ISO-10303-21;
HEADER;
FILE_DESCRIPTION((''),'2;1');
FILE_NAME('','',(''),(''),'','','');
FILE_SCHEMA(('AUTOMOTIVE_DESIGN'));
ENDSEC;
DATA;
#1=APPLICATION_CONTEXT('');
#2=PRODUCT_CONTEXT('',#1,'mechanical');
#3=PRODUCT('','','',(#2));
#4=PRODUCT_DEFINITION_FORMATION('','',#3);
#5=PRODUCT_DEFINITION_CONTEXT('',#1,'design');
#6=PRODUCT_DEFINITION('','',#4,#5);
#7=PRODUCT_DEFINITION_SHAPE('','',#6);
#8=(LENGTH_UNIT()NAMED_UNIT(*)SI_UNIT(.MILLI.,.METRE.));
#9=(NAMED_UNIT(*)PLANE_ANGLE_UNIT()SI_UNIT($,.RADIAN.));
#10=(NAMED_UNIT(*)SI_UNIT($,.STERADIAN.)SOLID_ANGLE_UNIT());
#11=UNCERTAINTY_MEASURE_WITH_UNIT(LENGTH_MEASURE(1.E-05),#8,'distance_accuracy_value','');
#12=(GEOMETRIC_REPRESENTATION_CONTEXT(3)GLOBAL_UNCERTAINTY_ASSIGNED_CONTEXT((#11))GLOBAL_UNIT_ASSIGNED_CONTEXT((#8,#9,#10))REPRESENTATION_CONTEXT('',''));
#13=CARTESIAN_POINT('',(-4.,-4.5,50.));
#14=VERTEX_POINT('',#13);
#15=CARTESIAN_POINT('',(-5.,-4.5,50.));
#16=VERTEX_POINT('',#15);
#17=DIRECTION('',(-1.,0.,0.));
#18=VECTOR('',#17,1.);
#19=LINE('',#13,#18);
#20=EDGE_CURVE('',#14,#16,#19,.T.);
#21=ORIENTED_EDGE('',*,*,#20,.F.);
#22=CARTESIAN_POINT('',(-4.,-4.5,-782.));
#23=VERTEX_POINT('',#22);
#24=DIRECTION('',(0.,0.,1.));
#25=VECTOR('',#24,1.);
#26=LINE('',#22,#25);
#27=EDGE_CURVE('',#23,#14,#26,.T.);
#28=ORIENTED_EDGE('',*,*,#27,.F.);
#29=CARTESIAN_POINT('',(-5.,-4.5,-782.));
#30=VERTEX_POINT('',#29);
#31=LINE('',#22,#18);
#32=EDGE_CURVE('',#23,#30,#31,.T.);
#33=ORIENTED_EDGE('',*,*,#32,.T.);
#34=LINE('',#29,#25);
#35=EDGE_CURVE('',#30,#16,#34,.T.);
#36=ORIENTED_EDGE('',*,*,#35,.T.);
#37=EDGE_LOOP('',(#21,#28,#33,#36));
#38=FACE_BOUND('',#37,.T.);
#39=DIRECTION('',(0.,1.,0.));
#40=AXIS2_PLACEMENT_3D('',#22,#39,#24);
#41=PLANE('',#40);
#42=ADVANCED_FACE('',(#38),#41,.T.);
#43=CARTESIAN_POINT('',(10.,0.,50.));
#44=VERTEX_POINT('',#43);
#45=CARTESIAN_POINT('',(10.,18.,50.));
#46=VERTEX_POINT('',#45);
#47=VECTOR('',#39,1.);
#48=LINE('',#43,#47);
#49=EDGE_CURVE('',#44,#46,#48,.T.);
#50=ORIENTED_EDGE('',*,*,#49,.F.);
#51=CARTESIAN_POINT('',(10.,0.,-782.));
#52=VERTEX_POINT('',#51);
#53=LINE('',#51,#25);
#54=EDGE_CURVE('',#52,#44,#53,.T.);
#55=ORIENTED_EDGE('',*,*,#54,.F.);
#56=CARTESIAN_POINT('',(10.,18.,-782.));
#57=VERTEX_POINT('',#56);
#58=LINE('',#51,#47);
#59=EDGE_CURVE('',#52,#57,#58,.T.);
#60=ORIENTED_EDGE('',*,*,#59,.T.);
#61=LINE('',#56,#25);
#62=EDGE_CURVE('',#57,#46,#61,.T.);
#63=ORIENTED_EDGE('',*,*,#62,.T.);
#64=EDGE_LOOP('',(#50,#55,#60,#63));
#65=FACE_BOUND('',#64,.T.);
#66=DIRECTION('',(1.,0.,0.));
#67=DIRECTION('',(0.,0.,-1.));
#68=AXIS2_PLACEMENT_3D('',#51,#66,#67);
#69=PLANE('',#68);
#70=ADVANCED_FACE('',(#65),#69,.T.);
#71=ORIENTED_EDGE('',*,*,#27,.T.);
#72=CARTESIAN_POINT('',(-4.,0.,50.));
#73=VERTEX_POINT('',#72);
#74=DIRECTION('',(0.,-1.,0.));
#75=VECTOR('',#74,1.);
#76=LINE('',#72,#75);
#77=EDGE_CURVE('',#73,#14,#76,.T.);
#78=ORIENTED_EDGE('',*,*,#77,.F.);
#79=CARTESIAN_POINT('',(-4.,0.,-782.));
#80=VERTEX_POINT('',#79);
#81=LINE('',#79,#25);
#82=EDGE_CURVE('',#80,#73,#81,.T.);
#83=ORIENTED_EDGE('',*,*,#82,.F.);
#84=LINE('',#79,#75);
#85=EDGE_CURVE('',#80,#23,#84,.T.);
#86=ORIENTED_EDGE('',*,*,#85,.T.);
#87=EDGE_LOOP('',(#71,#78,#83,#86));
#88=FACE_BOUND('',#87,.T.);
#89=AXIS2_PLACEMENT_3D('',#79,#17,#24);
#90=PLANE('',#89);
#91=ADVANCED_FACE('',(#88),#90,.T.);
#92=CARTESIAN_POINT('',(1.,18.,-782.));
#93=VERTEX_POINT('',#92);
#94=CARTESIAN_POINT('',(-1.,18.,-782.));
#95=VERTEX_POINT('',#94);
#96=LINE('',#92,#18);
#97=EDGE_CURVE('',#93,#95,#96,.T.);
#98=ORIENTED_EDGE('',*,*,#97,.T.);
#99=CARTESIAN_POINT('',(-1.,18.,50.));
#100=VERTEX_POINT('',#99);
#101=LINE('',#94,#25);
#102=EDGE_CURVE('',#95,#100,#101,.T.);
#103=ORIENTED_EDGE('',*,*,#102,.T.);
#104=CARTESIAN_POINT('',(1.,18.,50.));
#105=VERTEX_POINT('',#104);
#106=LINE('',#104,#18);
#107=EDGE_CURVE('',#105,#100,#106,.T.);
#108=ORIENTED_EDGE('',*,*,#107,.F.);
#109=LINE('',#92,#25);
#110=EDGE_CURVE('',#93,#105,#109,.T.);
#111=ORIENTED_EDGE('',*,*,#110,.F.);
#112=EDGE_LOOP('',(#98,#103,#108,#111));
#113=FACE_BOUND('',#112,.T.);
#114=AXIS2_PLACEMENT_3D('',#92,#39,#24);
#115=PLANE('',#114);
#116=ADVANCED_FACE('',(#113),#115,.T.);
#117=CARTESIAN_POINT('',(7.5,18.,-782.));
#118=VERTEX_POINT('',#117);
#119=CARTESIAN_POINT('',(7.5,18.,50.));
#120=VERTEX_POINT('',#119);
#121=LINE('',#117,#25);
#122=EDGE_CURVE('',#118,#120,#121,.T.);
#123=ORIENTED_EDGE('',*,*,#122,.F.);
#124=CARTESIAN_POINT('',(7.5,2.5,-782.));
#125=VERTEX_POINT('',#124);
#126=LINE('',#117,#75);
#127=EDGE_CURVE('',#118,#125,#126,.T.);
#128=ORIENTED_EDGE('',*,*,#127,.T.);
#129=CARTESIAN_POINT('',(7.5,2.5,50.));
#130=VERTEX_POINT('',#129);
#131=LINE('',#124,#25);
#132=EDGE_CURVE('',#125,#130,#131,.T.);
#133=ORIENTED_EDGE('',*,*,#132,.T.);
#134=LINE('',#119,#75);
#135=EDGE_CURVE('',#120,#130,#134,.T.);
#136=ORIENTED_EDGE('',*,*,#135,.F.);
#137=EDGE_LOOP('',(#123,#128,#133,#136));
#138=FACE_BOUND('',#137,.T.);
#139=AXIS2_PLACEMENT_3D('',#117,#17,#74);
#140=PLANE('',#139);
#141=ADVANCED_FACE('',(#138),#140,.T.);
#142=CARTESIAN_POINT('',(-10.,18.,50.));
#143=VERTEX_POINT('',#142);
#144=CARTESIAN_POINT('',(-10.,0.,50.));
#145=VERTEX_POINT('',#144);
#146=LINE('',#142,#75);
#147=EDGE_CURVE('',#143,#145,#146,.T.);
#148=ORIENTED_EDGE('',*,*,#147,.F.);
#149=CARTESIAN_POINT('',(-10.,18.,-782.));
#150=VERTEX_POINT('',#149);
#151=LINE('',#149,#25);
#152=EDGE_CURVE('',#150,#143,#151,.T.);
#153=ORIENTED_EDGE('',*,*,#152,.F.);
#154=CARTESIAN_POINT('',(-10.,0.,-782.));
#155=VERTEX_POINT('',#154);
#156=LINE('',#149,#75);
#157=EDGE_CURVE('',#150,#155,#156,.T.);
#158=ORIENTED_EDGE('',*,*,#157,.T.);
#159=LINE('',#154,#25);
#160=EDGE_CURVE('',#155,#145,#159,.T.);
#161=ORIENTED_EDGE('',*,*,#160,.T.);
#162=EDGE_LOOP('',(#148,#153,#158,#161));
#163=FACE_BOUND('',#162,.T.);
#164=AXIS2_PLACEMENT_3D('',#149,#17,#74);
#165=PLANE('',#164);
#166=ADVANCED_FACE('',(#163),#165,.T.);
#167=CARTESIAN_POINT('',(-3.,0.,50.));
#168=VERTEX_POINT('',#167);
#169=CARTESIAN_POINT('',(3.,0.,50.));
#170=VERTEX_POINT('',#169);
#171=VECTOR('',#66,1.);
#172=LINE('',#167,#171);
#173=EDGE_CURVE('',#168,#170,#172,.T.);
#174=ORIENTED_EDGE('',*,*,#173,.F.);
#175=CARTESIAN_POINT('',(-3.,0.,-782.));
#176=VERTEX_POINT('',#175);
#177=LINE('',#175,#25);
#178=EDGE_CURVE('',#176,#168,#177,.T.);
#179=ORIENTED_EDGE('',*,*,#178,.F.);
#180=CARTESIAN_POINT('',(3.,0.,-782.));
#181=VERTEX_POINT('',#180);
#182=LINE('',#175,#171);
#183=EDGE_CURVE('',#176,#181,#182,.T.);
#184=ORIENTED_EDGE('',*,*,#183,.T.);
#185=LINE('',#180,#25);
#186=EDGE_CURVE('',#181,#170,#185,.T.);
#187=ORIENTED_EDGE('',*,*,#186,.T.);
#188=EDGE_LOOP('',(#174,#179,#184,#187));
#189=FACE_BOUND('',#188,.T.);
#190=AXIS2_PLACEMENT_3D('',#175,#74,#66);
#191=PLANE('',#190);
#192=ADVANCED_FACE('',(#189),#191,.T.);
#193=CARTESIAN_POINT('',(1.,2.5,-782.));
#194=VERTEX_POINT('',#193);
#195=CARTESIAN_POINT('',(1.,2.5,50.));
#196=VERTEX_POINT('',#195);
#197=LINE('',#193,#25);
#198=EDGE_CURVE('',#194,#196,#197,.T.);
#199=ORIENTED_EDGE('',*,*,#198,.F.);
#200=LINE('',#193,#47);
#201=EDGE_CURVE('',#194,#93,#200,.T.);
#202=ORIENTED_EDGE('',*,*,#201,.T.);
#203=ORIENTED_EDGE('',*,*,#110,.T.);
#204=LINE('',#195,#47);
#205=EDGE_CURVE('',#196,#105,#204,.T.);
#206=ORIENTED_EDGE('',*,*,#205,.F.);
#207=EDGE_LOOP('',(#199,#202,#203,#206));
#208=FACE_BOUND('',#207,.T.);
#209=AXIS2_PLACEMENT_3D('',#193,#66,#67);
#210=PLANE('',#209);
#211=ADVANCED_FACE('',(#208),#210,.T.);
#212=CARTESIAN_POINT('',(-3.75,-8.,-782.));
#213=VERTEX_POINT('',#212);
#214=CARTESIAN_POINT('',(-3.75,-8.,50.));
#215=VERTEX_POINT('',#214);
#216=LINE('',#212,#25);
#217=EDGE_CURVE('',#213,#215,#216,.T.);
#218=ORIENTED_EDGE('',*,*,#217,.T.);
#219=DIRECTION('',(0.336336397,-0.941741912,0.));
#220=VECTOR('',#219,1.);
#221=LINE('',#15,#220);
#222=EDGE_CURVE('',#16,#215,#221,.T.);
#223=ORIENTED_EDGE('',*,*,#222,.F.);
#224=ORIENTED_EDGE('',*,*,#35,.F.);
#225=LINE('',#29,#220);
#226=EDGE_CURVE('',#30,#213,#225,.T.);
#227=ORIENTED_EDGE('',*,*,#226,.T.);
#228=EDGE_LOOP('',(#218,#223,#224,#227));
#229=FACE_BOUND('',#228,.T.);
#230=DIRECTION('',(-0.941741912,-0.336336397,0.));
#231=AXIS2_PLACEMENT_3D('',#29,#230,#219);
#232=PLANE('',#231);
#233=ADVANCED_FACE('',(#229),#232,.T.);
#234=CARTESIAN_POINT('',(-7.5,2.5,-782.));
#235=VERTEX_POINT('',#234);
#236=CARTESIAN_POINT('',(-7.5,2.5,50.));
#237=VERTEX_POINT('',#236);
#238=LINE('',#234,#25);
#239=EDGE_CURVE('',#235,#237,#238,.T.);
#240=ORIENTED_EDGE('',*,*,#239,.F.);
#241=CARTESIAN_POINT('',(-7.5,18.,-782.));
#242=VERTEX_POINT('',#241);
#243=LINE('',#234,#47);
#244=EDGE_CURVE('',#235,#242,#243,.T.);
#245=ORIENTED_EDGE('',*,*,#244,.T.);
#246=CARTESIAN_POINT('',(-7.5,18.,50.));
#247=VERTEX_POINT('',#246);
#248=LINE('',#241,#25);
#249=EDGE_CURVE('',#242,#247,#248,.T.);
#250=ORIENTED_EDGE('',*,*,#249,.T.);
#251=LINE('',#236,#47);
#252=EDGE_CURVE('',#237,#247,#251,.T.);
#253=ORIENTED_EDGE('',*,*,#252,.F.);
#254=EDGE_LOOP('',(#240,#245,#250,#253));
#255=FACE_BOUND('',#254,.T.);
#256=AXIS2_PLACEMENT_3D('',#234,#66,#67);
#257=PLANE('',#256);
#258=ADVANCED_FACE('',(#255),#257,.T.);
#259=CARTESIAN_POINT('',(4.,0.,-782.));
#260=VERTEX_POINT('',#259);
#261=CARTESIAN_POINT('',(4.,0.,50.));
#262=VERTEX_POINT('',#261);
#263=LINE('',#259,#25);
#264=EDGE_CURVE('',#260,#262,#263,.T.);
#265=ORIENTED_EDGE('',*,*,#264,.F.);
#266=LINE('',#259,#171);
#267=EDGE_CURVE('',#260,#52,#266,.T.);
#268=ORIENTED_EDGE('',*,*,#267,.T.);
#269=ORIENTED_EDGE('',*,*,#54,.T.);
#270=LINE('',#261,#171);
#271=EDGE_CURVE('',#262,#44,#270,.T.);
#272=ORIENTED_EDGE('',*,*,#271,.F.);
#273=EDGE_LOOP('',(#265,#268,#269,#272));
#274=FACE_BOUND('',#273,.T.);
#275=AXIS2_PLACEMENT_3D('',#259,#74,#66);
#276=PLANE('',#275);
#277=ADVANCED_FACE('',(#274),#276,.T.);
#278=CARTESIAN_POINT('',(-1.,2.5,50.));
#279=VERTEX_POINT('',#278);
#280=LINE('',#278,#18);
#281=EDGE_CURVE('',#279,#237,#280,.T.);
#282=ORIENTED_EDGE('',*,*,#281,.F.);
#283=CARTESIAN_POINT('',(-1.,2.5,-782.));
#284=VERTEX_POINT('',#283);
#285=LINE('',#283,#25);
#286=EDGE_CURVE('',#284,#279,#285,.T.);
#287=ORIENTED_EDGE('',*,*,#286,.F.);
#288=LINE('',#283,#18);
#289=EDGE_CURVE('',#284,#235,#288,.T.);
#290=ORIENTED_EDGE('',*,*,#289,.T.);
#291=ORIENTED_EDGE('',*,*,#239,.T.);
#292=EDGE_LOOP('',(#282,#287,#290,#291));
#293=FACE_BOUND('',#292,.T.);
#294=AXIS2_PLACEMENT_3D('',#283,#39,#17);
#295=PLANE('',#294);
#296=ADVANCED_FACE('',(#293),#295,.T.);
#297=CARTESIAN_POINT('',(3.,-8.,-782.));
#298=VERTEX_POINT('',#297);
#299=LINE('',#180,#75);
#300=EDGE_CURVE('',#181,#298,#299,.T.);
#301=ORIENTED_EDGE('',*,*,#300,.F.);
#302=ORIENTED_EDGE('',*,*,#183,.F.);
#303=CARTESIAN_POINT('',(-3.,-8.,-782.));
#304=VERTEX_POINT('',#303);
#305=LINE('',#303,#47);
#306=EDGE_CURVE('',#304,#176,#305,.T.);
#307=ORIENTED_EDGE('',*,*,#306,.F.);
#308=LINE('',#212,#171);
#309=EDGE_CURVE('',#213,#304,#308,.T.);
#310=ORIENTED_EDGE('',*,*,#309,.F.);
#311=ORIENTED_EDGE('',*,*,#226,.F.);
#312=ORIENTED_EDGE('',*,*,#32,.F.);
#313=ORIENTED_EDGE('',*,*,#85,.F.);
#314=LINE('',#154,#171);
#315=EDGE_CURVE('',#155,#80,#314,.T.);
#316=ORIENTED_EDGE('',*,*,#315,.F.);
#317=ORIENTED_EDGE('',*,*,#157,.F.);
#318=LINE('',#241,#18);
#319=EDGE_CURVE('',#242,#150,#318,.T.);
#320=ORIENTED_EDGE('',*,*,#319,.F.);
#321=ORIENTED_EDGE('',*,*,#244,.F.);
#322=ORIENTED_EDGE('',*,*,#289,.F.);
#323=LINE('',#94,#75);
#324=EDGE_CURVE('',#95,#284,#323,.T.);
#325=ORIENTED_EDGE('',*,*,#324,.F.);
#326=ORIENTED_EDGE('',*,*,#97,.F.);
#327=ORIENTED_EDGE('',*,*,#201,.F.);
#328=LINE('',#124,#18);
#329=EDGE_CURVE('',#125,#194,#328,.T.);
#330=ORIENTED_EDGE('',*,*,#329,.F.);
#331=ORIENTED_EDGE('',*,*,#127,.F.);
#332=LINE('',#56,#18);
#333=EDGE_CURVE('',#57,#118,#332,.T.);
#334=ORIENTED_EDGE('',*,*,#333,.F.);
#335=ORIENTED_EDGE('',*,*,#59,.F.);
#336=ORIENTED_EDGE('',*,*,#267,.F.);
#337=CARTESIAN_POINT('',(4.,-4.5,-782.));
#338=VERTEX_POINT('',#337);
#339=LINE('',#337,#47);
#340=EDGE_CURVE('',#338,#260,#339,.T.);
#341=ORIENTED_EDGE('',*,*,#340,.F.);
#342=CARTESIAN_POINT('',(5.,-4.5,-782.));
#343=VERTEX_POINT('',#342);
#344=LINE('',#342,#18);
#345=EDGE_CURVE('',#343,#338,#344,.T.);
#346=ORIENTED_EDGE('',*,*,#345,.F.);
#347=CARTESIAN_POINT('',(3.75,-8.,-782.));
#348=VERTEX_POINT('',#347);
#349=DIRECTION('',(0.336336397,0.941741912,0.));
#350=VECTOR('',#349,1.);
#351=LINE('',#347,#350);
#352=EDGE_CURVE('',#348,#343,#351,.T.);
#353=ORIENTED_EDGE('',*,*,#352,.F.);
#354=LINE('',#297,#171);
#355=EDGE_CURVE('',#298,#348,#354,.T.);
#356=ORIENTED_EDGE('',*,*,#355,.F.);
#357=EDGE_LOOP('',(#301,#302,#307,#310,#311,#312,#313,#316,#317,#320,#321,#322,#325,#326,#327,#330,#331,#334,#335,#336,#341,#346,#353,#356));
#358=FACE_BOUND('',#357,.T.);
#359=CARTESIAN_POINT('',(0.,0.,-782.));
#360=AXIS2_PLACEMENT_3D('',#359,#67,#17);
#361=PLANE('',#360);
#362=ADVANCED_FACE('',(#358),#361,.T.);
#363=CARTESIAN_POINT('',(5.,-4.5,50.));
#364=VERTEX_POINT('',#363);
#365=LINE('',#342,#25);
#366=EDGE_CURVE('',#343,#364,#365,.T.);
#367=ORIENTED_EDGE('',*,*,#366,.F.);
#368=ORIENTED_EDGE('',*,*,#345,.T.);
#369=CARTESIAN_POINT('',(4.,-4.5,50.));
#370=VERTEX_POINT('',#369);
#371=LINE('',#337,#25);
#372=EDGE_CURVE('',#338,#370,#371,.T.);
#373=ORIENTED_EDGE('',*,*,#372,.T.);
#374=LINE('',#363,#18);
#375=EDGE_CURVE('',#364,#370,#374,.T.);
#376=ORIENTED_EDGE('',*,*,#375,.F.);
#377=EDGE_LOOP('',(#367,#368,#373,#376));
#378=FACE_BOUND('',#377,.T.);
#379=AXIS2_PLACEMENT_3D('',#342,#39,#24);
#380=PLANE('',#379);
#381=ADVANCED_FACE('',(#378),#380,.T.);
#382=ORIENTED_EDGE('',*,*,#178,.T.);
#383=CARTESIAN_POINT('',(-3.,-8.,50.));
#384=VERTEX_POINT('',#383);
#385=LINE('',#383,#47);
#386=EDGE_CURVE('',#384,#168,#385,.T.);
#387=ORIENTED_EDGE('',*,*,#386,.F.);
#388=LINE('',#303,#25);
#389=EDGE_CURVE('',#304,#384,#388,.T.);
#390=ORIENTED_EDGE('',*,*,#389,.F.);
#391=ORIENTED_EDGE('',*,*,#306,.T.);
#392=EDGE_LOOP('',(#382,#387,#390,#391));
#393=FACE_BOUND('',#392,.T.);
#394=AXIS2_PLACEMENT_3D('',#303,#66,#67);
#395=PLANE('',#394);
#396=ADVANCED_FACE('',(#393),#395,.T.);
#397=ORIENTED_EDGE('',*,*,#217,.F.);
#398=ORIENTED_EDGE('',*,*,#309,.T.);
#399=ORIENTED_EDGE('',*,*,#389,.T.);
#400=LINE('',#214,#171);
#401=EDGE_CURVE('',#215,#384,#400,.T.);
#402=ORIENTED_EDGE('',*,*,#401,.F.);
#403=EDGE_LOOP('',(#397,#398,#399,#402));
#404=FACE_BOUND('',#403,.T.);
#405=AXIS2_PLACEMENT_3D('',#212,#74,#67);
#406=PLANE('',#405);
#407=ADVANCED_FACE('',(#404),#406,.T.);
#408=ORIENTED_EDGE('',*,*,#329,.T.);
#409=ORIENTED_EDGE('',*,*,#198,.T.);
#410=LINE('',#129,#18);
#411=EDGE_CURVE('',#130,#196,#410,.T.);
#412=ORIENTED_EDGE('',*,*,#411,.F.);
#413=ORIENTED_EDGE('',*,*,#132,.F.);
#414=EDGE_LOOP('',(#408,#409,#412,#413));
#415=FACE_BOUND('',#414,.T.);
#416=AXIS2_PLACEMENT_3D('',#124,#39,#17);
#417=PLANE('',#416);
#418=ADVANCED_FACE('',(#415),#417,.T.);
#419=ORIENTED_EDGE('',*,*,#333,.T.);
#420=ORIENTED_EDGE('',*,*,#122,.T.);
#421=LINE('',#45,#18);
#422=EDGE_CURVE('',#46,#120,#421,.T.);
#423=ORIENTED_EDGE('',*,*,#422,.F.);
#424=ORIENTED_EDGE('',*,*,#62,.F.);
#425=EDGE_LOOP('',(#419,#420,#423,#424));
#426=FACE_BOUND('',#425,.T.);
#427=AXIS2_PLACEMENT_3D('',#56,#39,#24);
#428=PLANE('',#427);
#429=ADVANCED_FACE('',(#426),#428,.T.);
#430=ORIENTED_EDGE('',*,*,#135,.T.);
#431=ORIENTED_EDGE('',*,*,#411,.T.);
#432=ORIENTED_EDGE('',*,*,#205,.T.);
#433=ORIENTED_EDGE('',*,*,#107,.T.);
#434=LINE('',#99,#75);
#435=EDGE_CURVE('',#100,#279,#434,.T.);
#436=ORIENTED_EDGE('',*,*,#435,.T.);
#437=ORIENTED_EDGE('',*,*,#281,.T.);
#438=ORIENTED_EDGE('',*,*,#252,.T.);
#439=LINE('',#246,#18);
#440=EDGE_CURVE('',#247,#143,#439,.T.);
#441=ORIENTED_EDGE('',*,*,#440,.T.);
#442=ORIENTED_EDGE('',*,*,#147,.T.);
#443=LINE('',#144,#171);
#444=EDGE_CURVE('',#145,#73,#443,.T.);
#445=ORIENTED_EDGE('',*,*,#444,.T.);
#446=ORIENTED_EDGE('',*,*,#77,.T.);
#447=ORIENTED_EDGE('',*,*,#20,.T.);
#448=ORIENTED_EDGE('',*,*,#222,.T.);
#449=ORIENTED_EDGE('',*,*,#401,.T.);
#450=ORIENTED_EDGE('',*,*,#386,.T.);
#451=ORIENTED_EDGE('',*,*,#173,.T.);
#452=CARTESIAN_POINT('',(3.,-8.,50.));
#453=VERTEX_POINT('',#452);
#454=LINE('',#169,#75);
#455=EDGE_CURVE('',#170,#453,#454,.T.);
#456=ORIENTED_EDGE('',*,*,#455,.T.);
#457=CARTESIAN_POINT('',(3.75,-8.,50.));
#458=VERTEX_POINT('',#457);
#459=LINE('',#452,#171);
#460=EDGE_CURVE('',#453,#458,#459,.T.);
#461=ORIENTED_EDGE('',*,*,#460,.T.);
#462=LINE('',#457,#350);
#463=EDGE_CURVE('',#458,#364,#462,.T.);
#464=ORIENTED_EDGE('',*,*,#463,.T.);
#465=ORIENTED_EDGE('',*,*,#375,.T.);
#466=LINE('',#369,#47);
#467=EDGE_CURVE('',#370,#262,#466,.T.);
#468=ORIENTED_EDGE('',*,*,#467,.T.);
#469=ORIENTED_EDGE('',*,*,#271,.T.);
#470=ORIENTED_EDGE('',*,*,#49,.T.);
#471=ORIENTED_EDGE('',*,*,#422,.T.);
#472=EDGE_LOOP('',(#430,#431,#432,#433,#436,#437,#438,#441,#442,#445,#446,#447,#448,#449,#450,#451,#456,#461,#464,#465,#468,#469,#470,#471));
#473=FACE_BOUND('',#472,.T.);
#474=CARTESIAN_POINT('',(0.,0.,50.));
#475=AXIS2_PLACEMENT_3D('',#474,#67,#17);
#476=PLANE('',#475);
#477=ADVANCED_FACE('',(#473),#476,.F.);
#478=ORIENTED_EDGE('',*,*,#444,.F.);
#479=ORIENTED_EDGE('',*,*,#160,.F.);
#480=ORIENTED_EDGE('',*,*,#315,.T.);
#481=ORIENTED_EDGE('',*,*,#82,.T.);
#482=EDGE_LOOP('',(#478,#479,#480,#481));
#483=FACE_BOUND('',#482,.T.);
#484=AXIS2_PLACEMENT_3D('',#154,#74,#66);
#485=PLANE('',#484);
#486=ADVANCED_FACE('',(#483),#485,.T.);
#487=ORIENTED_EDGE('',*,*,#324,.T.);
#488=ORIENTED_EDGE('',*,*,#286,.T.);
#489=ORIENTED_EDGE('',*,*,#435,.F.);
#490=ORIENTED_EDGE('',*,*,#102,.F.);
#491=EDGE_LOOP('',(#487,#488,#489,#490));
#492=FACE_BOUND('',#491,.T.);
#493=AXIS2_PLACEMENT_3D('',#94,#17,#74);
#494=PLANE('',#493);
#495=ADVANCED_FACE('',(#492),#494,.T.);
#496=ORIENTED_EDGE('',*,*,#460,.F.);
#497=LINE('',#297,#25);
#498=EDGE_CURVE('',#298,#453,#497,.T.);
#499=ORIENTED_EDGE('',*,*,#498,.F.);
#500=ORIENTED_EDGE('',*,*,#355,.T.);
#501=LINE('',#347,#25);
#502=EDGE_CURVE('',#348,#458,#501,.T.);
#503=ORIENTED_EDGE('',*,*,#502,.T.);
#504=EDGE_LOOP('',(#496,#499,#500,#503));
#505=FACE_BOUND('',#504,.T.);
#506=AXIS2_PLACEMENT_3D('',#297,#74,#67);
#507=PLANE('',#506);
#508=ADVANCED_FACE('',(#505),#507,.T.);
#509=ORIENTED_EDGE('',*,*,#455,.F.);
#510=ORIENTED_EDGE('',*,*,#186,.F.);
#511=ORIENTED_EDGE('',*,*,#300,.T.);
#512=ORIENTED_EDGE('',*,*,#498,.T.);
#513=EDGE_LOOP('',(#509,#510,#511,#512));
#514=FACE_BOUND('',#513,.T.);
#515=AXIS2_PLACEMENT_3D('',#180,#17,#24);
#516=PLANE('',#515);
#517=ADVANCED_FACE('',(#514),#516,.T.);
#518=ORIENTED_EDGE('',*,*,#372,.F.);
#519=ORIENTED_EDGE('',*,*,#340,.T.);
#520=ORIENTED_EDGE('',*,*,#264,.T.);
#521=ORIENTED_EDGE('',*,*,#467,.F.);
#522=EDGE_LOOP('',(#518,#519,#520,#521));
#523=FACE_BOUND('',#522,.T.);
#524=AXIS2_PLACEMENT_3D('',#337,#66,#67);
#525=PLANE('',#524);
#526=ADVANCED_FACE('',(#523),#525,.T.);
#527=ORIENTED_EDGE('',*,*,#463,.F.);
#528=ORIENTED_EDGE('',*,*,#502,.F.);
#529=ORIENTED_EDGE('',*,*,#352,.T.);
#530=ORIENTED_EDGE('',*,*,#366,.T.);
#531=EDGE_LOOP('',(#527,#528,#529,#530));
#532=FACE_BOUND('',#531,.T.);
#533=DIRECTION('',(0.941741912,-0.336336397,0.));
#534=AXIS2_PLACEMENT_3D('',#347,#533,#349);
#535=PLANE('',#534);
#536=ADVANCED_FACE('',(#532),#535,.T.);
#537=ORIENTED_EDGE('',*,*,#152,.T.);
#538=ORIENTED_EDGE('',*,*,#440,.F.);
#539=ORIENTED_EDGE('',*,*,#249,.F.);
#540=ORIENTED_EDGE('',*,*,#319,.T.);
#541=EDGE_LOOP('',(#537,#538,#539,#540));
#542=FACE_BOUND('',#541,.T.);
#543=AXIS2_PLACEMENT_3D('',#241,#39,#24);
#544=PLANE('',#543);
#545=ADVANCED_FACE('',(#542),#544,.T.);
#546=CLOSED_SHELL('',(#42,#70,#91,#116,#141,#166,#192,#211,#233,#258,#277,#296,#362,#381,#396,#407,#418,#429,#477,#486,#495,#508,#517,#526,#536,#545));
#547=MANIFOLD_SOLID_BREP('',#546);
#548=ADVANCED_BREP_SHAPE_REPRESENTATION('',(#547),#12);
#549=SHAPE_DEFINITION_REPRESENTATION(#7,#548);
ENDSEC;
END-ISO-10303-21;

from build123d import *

# Parameters (mm, degrees)
BOSS_EXTRU_1_DEPTH = 832


with BuildPart() as part:
    # Esquisse1 → Boss.-Extru.1 (new body)
    with BuildSketch(Plane.XY.offset(50)):
        Polygon((-1, 2.5), (-7.5, 2.5), (-7.5, 17.999999998), (-10, 17.999999998), (-10, 0), (-4, 0), (-4, -4.5), (-5, -4.5), (-3.75, -8), (-3, -8), (-3, 0), (3, 0), (3, -8), (3.75, -8), (5, -4.5), (4, -4.5), (4, 0), (10, 0), (10, 17.999999998), (7.5, 17.999999998), (7.5, 2.5), (1, 2.5), (1, 17.999999998), (-1, 17.999999998), align=None)
    extrude(amount=-BOSS_EXTRU_1_DEPTH)


solid = part.part
